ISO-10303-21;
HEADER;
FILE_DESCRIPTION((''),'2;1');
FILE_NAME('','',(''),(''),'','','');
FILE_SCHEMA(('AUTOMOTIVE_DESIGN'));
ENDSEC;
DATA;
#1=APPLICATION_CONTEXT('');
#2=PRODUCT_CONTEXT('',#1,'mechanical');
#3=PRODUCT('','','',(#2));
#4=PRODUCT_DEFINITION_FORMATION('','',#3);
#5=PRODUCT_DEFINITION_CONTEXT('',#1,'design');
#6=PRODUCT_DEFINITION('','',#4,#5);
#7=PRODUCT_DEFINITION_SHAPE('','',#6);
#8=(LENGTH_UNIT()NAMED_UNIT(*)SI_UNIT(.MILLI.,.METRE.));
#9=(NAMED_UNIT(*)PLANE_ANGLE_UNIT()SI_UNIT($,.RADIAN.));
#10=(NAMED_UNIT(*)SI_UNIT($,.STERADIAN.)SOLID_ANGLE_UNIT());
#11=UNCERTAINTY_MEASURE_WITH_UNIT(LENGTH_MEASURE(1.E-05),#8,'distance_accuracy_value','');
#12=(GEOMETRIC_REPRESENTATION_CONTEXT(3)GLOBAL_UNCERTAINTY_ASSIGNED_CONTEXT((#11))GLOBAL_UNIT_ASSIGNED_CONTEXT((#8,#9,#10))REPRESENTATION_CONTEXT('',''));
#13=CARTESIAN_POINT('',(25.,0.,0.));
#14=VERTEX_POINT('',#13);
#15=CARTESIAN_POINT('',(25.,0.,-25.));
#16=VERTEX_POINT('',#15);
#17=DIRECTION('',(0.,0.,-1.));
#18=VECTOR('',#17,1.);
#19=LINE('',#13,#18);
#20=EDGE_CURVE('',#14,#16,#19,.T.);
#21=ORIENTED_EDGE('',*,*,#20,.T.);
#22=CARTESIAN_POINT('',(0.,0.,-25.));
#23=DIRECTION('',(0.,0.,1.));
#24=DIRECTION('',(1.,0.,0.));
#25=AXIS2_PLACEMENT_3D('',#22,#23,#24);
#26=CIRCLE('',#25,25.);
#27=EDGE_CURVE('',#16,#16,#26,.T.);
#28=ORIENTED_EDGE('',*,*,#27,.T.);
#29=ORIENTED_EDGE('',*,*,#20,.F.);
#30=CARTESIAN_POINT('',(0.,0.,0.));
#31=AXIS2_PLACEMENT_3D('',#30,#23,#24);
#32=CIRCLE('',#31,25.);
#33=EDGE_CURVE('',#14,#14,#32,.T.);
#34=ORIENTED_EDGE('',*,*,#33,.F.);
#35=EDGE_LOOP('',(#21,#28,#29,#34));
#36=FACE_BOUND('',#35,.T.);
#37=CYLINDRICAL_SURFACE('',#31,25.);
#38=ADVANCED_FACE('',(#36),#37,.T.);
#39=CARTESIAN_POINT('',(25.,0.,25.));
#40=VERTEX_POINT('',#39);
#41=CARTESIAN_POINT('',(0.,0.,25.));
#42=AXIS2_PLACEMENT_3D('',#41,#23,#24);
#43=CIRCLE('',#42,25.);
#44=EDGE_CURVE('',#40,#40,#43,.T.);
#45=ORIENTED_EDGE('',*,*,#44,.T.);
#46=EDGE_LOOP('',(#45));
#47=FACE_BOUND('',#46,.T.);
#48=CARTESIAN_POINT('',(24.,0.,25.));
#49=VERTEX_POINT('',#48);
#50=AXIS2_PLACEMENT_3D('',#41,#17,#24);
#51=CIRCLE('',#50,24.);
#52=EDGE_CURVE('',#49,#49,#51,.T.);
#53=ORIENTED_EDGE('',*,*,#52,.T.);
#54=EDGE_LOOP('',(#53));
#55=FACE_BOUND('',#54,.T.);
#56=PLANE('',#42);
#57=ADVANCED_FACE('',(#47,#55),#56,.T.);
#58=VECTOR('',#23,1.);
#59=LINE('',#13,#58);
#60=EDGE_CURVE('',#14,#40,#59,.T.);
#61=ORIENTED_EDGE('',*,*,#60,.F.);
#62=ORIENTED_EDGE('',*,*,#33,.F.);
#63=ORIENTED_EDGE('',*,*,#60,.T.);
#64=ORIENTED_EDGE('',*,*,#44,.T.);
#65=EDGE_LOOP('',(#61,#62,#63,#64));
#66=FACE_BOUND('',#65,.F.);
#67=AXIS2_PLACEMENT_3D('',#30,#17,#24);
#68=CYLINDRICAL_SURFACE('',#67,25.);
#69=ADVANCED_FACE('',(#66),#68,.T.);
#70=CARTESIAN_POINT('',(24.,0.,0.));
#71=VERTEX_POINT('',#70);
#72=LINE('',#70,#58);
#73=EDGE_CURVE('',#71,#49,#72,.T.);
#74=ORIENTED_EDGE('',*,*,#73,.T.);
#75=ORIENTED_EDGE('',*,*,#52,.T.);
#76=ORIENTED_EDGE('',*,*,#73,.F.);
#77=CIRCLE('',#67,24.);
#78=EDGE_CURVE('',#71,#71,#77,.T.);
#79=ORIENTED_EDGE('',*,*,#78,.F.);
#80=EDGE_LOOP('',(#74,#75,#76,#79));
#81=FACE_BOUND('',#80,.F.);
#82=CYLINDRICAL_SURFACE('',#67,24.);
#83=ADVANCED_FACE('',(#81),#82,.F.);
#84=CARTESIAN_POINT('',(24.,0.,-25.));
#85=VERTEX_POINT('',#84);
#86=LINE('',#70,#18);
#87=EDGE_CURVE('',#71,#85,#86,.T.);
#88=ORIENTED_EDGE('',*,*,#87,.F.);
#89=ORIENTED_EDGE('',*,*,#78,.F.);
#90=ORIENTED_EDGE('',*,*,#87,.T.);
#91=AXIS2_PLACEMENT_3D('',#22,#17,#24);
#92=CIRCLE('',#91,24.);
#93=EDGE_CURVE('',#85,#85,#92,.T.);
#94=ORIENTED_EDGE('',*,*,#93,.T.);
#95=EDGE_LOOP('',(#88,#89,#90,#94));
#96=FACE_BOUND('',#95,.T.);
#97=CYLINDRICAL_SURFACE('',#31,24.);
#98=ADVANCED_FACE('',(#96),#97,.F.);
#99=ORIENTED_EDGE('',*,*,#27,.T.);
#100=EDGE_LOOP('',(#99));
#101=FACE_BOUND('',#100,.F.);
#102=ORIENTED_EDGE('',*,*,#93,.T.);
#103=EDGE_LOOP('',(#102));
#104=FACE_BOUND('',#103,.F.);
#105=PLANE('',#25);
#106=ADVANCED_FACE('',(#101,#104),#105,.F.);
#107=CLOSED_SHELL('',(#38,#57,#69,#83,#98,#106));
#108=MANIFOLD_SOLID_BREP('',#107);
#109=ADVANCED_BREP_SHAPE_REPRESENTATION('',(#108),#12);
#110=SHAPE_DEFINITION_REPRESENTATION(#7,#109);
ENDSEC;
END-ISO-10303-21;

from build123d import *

# Parameters (mm, degrees)
F0_R          = 25
F1_DEPTH      = 25
F1_DEPTH_BACK = 25


with BuildPart() as f1:
    # F0 (on Top) → F1 (new body, two sides)
    with BuildSketch(Plane.XY) as f1_sk:
        Circle(F0_R)
        with BuildLine():
            ThreePointArc((-24, 0), (0, 24), (24, 0))
            ThreePointArc((24, 0), (0, -24), (-24, 0))
        make_face(mode=Mode.SUBTRACT)
    extrude(amount=-F1_DEPTH)
    extrude(f1_sk.sketch, amount=F1_DEPTH_BACK)


solid = f1.part
